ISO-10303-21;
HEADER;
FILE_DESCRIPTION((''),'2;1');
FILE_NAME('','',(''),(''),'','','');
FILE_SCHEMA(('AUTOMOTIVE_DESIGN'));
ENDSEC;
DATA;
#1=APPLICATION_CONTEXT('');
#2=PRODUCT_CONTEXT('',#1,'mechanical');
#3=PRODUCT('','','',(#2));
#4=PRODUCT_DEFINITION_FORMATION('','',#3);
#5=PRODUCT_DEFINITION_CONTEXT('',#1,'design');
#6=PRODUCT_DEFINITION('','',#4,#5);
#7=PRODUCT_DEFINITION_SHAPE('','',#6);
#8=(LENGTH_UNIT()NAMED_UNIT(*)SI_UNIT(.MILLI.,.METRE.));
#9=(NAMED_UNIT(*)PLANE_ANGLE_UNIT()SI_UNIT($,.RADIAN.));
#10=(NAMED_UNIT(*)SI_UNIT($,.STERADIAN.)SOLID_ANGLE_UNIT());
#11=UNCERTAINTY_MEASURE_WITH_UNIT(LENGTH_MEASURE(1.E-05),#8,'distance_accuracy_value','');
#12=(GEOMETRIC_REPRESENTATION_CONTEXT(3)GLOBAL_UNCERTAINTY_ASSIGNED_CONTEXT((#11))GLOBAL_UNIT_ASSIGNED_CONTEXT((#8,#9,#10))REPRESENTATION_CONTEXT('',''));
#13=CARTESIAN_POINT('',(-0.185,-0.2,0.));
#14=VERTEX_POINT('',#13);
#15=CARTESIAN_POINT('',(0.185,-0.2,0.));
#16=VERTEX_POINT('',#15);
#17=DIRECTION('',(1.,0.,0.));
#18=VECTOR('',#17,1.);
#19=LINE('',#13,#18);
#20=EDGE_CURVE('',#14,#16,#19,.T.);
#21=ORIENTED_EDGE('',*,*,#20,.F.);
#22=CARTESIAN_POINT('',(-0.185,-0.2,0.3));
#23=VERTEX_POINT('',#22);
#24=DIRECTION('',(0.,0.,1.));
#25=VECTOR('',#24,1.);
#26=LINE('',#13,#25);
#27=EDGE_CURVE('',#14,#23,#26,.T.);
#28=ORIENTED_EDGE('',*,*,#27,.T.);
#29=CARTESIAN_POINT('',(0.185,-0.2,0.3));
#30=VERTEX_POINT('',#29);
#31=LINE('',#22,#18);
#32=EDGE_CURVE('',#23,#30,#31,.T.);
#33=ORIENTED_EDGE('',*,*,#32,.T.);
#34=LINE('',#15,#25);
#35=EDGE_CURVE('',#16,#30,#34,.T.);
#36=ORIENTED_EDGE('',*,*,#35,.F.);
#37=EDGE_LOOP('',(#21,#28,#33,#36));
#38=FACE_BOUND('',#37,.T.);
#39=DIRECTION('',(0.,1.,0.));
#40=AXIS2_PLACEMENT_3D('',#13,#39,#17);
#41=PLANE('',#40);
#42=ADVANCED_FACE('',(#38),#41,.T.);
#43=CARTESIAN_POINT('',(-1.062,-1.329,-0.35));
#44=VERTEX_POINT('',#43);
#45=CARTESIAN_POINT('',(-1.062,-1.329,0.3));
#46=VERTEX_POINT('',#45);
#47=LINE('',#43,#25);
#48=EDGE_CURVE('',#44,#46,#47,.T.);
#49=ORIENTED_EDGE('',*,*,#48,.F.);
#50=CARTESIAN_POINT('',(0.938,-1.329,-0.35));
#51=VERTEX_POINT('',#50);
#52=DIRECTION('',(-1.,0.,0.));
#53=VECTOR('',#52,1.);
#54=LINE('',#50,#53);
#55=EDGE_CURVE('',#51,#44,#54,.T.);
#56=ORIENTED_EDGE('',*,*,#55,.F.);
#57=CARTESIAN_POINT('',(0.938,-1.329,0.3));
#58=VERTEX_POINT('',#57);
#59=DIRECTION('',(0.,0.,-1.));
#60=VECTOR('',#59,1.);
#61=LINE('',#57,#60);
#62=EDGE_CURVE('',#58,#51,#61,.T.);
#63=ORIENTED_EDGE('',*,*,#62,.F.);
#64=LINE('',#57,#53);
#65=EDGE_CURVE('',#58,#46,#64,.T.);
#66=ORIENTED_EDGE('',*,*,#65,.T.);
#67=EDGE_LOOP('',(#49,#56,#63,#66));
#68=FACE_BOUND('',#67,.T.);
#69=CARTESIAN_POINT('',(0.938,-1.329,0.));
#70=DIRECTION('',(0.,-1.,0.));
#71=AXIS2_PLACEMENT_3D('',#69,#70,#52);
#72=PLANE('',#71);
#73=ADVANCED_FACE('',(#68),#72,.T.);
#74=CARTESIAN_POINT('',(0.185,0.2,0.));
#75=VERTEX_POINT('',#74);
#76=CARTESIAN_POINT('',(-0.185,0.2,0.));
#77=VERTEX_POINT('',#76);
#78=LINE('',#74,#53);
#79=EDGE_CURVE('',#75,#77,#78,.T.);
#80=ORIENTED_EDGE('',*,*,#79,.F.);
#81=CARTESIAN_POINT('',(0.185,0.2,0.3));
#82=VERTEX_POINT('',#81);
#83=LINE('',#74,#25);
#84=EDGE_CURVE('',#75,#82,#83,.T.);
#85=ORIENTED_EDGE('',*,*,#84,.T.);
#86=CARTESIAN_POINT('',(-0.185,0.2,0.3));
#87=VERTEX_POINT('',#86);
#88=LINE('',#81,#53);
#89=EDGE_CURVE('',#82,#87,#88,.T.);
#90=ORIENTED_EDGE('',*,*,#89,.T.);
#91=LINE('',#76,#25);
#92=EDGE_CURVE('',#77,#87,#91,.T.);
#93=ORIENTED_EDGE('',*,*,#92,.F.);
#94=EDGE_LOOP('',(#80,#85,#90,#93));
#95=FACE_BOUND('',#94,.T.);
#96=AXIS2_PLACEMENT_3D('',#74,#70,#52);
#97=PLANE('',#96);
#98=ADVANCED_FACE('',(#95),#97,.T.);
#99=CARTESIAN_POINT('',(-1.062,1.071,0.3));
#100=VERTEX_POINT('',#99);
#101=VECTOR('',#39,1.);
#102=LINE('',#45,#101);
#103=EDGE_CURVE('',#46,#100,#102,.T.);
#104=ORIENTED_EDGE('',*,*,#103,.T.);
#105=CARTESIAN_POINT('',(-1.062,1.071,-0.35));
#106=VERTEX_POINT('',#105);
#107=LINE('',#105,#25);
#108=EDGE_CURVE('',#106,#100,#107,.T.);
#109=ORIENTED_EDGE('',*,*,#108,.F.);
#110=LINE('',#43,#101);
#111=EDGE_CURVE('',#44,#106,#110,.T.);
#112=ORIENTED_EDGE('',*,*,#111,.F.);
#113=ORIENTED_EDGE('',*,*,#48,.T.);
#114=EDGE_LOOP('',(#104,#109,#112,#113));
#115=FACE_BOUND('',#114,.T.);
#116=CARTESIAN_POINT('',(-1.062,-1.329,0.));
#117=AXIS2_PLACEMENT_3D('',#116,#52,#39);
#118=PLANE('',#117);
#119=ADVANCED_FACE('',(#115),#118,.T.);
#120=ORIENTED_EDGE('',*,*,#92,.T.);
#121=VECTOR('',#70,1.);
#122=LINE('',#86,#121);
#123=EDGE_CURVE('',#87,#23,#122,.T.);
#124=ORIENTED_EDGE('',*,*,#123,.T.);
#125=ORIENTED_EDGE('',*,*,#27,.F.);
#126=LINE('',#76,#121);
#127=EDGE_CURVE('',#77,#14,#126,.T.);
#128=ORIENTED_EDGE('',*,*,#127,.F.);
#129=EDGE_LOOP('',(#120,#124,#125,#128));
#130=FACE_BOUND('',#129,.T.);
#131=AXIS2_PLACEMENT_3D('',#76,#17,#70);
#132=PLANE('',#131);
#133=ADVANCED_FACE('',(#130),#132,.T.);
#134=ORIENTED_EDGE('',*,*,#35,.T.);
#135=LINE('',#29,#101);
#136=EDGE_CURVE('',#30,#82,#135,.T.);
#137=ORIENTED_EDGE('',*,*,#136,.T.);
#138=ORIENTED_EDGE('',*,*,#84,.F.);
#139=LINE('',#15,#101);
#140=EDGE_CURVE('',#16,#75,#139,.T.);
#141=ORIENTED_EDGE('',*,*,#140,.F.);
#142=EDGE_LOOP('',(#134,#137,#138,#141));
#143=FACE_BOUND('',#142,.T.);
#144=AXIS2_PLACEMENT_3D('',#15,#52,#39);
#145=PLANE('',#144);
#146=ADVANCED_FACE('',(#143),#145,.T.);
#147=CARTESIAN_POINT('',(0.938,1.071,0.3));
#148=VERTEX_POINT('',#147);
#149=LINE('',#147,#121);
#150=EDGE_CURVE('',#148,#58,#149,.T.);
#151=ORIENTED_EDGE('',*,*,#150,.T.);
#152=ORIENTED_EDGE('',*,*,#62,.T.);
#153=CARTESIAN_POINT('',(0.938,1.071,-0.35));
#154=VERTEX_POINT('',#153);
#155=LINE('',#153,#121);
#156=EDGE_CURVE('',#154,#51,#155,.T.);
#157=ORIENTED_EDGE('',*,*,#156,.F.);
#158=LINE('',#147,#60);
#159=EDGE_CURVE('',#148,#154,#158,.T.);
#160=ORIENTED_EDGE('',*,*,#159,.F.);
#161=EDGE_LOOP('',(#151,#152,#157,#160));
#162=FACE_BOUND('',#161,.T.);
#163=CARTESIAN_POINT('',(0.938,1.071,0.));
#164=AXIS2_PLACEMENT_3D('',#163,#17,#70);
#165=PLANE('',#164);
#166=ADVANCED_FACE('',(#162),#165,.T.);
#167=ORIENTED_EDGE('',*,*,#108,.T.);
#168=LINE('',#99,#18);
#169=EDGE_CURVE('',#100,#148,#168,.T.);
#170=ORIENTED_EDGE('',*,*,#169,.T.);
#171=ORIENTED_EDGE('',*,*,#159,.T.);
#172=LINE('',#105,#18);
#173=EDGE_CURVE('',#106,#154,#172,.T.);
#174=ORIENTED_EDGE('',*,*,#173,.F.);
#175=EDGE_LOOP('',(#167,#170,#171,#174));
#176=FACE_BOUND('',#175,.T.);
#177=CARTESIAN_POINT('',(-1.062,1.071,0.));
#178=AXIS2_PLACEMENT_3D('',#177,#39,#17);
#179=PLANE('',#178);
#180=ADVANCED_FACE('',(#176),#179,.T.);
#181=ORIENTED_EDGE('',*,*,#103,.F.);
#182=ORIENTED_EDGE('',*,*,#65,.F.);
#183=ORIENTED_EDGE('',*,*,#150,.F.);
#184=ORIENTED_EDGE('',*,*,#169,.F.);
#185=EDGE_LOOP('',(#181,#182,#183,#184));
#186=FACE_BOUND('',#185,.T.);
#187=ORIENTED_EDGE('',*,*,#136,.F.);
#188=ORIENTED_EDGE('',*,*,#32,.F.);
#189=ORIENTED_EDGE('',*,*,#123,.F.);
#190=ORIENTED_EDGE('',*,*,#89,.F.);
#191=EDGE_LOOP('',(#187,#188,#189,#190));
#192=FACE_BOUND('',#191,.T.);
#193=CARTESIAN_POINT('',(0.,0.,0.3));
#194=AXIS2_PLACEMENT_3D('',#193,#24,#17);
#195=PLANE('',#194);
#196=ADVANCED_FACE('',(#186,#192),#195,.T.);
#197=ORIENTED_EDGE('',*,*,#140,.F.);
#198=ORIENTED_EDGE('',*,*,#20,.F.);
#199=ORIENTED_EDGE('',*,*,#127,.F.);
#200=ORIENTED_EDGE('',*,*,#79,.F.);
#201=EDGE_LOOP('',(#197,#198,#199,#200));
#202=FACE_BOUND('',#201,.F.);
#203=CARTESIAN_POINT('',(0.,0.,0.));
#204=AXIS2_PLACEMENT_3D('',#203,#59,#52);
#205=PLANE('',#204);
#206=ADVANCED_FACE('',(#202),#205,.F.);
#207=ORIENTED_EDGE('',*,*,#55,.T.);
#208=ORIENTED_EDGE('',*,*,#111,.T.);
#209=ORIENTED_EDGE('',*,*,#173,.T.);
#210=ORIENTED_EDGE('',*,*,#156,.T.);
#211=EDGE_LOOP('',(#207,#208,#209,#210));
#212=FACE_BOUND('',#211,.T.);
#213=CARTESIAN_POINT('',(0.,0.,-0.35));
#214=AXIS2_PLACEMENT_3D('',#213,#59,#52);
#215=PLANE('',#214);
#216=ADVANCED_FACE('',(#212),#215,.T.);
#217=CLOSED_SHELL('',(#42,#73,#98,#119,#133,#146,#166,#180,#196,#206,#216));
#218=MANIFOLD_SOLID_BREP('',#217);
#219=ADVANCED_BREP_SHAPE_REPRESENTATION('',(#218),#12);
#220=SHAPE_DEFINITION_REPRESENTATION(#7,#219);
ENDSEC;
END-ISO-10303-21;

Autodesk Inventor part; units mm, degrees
ref_plane "YZ Plane" through (0, 0, 0) normal (1, 0, 0) x (0, 1, 0)
ref_plane "XZ Plane" through (0, 0, 0) normal (0, 1, 0) x (-1, 0, 0)
ref_plane "XY Plane" through (0, 0, 0) normal (0, 0, 1) x (1, 0, 0)
sketch "Skizze1" plane through (0, 0, 0) normal (0, 0, 1) x (1, 0, 0)
  line L0 (-0.185, -0.2) -> (0.185, -0.2)
  line L1 (0.185, -0.2) -> (0.185, 0.2)
  line L2 (0.185, 0.2) -> (-0.185, 0.2)
  line L3 (-0.185, 0.2) -> (-0.185, -0.2)
  line L4 (-0.185, -0.2) -> (0.185, 0.2) construction
  line L5 (0.185, -0.2) -> (-0.185, 0.2) construction
  line L6 (-1.062, 1.071) -> (0.938, 1.071)
  line L7 (0.938, 1.071) -> (0.938, -1.329)
  line L8 (0.938, -1.329) -> (-1.062, -1.329)
  line L9 (-1.062, -1.329) -> (-1.062, 1.071)
  point P0 (0, 0)
  dimension "d0" = 0.37
  dimension "d1" = 0.4
  dimension "d2" = 0.877
  dimension "d3" = 0.871
  dimension "d4" = 2
  dimension "d5" = 2.4
extrude "Extrusion1" add sketch "Skizze1" along normal blind 0.3
sketch "Skizze2" plane through (0, 0, 0) normal (0, 0, -1) x (-1, 0, 0)
  line L0 (0.185, 0.2) -> (0.185, -0.2) projected
  line L1 (0.185, -0.2) -> (-0.185, -0.2) projected
  line L2 (-0.185, -0.2) -> (-0.185, 0.2) projected
  line L3 (-0.185, 0.2) -> (0.185, 0.2) projected
  line L4 (1.062, 1.071) -> (-0.938, 1.071) projected
  line L5 (-0.938, 1.071) -> (-0.938, -1.329) projected
  line L6 (-0.938, -1.329) -> (1.062, -1.329) projected
  line L7 (1.062, -1.329) -> (1.062, 1.071) projected
  line L8 (-0.938, 1.071) -> (1.062, 1.071) projected
  line L9 (1.062, -1.329) -> (-0.938, -1.329)
  line L10 (-0.938, -1.329) -> (-0.938, 1.071)
  line L11 (-0.938, 1.071) -> (1.062, 1.071)
  line L12 (1.062, 1.071) -> (1.062, -1.329)
  point P0 (0, 0)
extrude "Extrusion2" add sketch "Skizze2" along normal blind 0.35 contours L0 L1 L2 L3 | L7 L6 L5 L4
properties part number "TCS3472" material "PC/ABS-Kunststoff"
